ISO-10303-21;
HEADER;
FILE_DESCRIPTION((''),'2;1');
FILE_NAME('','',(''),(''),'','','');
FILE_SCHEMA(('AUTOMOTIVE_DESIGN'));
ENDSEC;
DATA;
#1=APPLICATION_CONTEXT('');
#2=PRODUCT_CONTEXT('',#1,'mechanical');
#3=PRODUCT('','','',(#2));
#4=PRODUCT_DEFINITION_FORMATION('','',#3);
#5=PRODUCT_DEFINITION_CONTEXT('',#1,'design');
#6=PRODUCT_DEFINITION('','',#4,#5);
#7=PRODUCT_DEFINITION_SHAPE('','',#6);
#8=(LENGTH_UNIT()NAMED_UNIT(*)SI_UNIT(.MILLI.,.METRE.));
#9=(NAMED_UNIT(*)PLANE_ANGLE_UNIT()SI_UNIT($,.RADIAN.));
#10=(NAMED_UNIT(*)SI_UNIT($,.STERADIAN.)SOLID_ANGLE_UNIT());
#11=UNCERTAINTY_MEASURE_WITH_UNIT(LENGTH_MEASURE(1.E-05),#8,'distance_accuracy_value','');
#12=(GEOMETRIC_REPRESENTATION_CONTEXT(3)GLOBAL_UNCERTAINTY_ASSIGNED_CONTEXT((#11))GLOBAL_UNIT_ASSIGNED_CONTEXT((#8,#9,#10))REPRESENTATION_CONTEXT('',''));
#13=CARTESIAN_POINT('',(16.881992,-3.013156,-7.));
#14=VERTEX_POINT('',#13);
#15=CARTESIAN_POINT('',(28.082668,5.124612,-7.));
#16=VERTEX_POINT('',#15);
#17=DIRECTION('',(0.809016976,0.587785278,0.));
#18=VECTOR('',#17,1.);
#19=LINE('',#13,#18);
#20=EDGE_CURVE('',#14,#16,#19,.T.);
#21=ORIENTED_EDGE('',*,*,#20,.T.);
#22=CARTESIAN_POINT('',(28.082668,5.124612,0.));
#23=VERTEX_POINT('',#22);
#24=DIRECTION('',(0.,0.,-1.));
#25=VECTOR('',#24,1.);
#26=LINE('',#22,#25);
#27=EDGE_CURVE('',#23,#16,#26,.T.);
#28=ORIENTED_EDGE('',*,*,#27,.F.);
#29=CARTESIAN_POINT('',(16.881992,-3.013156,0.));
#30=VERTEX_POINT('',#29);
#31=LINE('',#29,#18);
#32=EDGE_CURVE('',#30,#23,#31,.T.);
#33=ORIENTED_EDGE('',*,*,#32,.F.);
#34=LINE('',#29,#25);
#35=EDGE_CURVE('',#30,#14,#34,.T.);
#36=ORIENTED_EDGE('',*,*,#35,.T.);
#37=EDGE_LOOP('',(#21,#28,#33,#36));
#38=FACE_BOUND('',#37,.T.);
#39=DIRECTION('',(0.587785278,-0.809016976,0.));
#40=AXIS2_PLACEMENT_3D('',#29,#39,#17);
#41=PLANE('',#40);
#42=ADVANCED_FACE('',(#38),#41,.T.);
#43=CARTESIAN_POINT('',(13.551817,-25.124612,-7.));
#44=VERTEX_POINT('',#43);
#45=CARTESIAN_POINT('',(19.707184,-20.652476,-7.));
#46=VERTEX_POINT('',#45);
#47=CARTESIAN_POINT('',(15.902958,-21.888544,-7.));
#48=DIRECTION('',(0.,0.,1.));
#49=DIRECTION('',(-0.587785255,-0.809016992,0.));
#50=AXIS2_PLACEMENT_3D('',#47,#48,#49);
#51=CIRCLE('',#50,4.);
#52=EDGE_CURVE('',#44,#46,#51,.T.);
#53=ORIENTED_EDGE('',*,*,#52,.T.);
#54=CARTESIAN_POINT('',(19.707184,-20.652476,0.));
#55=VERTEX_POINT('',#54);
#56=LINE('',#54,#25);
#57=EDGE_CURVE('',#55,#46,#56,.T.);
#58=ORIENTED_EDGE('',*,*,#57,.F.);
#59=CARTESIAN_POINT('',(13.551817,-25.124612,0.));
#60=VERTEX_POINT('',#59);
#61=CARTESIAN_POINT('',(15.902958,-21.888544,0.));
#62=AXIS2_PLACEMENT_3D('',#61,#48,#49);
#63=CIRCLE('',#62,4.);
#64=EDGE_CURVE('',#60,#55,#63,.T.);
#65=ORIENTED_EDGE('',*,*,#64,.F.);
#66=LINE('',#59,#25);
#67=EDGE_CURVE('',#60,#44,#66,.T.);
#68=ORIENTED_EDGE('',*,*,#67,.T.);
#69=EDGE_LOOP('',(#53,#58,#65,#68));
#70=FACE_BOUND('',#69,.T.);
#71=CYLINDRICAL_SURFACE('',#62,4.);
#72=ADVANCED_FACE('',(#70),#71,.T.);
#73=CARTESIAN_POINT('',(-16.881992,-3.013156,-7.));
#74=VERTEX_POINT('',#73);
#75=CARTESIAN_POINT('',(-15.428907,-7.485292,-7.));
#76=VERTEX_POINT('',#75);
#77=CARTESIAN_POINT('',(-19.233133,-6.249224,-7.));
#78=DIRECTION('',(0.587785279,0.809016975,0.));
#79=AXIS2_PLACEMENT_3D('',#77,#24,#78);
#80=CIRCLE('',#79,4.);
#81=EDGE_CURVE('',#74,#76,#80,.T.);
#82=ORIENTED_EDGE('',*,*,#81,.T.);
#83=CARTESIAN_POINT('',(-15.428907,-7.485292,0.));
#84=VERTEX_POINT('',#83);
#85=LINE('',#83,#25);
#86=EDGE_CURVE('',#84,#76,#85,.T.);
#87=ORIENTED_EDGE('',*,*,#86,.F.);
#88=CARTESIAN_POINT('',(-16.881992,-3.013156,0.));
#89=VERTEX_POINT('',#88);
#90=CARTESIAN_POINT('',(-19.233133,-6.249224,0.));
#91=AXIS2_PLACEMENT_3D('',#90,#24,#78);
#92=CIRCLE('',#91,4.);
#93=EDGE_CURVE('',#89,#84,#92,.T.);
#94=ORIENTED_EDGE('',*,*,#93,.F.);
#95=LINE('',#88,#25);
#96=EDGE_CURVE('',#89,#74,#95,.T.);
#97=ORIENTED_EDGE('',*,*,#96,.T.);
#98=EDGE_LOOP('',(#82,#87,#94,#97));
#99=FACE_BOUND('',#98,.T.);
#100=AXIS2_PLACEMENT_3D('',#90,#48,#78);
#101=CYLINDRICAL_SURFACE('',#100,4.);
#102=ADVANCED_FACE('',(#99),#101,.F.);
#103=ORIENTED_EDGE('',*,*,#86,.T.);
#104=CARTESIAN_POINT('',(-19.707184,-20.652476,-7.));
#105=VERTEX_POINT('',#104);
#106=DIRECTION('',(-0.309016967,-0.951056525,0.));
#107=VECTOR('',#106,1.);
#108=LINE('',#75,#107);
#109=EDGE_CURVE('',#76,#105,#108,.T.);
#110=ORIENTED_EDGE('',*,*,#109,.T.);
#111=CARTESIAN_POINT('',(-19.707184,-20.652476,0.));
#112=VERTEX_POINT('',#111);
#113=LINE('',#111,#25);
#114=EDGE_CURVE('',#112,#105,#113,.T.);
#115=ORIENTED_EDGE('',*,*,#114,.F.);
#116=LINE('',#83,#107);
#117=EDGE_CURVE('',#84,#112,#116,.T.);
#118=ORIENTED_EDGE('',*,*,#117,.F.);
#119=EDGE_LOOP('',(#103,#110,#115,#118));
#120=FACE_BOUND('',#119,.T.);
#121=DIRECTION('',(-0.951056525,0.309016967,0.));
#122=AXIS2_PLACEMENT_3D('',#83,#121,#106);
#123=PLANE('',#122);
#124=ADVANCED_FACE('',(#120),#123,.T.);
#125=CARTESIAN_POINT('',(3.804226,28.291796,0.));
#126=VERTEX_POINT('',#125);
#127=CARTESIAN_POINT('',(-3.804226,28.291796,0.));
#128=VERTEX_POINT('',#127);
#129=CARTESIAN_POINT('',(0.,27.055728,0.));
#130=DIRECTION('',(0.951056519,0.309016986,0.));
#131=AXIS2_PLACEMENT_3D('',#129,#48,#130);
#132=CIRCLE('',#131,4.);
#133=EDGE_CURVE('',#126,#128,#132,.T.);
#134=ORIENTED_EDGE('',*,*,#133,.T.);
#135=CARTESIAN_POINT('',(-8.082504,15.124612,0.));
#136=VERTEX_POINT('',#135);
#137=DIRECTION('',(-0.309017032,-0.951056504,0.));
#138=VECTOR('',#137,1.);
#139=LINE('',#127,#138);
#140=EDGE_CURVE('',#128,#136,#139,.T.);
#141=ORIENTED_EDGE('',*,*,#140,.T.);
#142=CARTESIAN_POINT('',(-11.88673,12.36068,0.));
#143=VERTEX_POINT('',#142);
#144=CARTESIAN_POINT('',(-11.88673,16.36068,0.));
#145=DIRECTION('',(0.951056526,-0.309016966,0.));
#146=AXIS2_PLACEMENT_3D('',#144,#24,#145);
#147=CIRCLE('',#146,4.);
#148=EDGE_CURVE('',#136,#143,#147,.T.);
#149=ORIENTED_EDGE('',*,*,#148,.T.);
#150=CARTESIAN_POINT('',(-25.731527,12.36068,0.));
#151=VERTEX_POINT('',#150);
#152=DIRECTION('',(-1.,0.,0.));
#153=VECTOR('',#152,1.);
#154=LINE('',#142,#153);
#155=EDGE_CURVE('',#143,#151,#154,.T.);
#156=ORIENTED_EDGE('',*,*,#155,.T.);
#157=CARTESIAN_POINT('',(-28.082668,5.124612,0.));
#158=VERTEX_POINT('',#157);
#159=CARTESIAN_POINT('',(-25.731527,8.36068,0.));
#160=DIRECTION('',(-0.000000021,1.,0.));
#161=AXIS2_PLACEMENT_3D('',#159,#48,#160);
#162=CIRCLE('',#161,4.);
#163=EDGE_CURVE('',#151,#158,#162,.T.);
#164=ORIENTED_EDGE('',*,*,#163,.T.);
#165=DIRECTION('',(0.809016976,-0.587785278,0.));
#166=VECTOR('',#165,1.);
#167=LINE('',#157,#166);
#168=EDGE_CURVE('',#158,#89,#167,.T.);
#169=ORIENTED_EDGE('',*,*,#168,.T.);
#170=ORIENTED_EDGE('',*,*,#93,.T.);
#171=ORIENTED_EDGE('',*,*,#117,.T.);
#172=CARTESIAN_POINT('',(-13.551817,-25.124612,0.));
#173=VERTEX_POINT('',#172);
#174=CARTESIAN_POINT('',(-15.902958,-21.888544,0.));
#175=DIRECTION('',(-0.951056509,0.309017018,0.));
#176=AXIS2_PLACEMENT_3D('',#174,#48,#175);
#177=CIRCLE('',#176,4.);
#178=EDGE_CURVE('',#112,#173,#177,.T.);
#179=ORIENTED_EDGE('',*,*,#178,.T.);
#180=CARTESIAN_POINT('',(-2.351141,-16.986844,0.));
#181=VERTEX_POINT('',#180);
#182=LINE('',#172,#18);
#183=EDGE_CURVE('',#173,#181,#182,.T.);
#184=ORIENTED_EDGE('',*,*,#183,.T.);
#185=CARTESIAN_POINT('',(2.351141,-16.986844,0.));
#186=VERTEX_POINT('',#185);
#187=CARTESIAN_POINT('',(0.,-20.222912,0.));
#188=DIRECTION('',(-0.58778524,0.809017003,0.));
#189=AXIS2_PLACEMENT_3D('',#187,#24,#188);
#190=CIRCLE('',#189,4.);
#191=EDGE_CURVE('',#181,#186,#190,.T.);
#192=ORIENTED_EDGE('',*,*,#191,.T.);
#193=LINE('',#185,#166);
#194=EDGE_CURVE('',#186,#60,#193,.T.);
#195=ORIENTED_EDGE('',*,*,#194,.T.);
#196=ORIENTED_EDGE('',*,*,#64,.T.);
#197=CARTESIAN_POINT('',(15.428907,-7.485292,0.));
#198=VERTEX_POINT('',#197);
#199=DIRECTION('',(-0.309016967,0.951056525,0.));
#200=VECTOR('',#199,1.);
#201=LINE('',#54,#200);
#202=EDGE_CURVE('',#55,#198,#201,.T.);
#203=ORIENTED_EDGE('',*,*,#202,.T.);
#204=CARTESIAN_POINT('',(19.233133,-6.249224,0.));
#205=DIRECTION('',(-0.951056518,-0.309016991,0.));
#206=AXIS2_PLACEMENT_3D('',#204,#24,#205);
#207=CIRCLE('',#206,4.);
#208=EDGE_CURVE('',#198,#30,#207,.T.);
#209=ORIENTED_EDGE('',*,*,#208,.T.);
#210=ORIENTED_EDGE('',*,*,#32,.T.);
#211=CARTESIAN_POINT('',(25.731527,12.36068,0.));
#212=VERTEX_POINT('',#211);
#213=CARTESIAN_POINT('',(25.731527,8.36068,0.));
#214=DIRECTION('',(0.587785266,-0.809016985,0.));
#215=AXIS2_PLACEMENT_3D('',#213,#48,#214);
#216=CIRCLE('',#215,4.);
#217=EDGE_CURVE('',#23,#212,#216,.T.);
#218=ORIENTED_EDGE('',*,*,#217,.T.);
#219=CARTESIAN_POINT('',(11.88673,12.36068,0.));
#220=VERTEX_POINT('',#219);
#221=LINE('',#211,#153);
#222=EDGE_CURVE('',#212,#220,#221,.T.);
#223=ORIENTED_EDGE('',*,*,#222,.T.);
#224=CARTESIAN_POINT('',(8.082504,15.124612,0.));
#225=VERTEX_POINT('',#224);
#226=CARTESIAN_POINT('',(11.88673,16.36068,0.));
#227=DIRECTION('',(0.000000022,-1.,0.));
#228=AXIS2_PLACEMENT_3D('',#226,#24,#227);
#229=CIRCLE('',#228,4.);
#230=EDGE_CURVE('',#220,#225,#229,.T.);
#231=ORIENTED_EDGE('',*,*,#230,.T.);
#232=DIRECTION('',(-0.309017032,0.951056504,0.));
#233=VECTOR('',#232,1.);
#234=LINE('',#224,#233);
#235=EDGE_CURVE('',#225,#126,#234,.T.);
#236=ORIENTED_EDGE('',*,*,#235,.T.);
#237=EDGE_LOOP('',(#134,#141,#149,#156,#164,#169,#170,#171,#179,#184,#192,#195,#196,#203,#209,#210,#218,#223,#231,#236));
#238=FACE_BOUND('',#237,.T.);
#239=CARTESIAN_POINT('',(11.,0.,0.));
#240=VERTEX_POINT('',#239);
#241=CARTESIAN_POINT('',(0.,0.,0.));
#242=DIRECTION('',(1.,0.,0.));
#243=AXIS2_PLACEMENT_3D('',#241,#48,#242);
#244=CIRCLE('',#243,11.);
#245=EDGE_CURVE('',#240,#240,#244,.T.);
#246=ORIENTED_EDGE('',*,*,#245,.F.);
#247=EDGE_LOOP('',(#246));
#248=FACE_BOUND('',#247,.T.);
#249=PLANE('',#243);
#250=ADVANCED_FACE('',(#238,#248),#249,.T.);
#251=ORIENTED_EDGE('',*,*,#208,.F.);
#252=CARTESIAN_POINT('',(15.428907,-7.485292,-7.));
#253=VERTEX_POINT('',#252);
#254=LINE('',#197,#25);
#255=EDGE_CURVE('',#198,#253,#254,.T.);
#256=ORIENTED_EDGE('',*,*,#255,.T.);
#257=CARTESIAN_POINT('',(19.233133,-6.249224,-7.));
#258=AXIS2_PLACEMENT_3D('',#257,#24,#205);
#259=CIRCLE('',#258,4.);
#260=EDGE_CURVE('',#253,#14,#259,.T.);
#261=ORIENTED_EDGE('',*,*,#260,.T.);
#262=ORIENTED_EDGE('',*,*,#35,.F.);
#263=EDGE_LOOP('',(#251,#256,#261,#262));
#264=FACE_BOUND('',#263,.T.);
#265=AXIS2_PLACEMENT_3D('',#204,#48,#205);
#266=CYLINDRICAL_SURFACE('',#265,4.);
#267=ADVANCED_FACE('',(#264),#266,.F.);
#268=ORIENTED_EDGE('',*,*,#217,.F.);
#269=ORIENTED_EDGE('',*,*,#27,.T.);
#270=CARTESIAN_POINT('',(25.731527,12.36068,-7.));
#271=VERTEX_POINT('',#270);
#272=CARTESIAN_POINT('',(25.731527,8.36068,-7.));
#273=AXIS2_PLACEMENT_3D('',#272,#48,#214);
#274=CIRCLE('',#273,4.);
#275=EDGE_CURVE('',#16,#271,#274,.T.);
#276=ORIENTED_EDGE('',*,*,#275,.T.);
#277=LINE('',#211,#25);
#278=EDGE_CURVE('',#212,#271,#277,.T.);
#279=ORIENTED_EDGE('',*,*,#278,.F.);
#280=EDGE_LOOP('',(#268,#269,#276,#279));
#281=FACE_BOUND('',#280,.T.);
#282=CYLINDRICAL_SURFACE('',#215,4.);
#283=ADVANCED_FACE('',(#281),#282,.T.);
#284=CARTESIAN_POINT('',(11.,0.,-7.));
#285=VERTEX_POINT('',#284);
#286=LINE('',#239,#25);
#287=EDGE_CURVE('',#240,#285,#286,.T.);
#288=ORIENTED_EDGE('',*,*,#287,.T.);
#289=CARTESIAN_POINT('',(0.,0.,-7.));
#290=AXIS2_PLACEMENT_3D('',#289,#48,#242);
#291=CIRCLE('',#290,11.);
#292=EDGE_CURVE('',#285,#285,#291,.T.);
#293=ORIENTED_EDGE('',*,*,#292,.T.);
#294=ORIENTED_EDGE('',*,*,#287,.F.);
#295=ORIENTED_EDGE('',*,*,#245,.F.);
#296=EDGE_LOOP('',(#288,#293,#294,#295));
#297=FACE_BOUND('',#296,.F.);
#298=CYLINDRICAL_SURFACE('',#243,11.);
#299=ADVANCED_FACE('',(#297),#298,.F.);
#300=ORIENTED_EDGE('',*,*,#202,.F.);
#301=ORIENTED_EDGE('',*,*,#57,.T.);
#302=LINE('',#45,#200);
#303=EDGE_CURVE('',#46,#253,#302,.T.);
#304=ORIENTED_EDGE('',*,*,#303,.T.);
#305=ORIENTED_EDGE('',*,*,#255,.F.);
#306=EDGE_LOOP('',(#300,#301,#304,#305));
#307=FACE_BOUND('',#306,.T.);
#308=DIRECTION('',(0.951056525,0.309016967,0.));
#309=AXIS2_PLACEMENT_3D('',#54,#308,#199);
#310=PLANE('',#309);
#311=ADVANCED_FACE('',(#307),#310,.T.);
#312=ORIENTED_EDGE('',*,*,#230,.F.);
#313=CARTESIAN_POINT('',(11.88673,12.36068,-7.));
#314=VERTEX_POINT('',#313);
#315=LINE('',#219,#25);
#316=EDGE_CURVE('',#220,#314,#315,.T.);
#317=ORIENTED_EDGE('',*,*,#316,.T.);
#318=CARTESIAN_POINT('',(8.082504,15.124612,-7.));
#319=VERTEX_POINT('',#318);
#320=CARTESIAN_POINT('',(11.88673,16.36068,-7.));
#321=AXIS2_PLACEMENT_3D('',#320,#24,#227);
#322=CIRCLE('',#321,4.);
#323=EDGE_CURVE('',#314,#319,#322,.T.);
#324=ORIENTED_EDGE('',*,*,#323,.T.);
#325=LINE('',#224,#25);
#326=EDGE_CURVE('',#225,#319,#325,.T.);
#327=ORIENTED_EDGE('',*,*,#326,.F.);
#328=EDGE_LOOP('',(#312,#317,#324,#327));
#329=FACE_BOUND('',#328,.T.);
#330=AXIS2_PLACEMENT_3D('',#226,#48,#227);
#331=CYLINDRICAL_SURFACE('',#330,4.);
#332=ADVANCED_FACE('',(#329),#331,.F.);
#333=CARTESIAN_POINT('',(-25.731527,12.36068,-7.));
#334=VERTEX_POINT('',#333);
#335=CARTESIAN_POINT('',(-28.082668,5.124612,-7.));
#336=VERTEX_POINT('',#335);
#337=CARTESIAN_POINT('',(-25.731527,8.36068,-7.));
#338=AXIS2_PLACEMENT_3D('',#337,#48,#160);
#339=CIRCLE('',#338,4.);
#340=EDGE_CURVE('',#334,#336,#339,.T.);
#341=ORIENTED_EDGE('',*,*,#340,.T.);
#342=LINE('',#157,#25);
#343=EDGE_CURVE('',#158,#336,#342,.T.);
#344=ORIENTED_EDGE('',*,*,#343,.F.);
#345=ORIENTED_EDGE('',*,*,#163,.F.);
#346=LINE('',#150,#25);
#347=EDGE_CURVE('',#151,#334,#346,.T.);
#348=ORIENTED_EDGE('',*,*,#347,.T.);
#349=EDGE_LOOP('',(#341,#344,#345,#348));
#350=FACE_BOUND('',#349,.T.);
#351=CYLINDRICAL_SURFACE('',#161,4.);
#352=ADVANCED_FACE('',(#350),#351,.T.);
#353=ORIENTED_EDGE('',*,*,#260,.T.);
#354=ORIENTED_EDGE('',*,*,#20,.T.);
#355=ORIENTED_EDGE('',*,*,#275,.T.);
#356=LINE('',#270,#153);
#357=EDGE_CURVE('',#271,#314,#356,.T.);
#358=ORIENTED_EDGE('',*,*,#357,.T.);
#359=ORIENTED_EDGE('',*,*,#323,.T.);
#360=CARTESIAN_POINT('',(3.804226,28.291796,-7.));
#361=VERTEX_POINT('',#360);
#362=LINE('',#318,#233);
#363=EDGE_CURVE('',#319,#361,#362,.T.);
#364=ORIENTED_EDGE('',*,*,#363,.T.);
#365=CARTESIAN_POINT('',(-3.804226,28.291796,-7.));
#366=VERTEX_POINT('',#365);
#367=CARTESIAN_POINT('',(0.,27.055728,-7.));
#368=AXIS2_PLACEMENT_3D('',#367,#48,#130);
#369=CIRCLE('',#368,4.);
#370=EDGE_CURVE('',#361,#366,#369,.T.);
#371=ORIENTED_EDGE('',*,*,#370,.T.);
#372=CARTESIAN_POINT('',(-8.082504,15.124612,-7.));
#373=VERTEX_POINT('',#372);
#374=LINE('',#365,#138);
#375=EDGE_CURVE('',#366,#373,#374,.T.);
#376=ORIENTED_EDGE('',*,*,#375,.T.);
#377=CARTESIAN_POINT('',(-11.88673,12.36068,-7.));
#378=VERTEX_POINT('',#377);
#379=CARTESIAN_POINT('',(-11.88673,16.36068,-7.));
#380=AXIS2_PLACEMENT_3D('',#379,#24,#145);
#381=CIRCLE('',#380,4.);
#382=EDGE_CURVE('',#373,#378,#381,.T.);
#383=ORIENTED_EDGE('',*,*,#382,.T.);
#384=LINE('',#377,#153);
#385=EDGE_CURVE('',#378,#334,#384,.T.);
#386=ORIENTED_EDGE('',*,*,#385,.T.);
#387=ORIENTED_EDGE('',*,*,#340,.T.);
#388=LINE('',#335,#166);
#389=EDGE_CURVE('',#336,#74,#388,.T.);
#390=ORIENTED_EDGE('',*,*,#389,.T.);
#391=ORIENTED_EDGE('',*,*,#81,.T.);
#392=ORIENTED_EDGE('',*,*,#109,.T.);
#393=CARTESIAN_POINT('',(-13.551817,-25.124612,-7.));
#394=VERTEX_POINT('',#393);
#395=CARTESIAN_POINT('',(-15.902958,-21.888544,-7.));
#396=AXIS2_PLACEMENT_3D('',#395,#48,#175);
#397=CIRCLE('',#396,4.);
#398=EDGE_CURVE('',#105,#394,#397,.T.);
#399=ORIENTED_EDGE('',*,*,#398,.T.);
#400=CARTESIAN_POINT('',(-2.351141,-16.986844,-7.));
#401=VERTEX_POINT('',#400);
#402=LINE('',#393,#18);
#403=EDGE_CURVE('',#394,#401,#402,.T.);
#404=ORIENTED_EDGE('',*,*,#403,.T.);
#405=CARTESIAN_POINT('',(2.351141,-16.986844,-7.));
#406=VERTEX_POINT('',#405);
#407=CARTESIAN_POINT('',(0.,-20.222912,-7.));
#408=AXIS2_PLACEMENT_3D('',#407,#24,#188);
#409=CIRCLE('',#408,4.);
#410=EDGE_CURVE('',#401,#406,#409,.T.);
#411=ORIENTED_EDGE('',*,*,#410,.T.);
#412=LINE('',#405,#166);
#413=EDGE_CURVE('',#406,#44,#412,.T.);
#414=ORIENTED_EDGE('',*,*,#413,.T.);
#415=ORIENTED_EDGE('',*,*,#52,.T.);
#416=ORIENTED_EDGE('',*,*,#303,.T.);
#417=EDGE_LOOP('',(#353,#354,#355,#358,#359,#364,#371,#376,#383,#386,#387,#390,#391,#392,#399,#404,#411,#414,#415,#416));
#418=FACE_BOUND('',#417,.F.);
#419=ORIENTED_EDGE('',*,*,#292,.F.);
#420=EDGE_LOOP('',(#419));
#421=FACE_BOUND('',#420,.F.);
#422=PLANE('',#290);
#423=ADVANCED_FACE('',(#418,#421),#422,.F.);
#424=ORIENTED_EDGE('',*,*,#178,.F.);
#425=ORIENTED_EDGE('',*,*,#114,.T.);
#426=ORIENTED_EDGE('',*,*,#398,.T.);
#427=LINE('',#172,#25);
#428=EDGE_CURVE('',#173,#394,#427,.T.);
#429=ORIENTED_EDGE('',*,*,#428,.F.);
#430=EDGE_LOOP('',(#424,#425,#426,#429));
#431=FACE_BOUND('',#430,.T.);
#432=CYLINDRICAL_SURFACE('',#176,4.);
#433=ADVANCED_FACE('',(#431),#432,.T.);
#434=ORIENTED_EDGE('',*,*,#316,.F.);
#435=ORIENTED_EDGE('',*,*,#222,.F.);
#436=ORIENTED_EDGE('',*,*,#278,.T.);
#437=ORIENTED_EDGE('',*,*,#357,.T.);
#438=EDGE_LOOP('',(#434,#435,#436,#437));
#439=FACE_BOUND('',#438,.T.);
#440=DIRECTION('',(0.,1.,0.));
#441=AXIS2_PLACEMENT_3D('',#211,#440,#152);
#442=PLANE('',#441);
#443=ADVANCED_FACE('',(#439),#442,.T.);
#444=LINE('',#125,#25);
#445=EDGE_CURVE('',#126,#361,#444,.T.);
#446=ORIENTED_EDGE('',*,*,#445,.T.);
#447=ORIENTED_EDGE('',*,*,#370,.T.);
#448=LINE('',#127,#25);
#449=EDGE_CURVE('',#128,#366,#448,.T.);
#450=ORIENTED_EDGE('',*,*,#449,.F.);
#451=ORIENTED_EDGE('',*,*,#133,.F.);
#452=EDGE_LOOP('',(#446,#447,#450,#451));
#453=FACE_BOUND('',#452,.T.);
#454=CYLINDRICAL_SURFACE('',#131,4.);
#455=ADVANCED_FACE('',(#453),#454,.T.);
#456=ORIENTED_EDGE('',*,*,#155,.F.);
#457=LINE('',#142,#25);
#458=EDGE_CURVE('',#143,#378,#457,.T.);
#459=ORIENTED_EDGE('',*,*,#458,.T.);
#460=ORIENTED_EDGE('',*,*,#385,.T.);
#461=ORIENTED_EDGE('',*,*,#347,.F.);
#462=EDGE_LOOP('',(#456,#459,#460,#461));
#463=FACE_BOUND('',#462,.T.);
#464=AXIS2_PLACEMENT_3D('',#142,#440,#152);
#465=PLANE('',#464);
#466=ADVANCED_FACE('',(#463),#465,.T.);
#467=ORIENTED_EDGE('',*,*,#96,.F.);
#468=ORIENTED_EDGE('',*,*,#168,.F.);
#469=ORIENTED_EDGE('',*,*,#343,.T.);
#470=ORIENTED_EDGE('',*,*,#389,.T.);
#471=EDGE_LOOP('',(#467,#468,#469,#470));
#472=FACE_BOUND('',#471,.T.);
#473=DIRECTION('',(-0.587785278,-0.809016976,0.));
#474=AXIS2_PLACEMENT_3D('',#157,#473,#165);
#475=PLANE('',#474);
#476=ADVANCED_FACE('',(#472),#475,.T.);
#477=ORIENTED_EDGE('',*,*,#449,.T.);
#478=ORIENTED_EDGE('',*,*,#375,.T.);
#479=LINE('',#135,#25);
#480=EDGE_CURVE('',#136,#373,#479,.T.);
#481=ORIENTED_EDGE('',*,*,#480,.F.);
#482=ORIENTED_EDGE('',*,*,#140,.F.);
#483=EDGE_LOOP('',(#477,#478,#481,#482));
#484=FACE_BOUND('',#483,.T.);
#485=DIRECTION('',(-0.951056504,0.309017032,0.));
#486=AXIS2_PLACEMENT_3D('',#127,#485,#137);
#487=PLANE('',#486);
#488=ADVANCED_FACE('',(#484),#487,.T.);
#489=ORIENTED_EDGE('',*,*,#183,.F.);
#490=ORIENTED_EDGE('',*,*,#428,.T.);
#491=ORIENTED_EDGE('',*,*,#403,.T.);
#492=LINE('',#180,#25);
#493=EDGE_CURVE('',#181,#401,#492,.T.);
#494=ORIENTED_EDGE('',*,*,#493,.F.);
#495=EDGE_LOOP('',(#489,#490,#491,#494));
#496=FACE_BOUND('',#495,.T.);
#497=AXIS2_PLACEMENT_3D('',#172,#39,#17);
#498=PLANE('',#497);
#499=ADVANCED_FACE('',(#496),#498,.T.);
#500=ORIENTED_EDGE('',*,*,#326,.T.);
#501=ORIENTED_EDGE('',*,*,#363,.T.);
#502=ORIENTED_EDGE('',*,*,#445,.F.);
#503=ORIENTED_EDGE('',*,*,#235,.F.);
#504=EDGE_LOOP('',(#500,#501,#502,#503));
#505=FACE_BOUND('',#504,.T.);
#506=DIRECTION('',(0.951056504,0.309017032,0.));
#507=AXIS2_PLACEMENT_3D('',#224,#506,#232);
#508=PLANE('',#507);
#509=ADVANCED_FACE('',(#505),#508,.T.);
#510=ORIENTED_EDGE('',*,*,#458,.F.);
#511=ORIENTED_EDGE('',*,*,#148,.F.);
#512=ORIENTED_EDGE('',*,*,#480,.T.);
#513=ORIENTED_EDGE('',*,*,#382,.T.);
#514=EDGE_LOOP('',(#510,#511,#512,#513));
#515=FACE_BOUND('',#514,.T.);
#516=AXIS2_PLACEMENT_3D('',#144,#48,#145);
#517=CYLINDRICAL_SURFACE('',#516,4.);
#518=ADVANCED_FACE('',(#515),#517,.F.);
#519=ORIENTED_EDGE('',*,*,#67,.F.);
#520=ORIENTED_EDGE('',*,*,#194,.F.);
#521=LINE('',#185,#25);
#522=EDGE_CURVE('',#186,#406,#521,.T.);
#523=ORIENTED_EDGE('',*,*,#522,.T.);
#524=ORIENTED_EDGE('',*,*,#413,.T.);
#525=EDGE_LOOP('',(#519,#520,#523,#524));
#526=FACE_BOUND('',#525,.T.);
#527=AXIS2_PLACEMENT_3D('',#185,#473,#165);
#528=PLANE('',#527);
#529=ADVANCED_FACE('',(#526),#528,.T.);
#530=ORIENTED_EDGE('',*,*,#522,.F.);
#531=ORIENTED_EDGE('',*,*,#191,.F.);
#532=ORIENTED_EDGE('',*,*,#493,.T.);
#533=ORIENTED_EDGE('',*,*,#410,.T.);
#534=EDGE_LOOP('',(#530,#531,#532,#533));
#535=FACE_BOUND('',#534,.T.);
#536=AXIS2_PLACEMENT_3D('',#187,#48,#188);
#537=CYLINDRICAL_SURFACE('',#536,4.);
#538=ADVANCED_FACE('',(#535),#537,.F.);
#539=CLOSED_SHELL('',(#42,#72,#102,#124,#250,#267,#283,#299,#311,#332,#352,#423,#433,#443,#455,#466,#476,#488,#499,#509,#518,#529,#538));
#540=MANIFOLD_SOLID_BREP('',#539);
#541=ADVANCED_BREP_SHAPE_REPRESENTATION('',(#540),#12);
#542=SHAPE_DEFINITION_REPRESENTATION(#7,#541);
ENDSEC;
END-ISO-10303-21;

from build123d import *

# Parameters (mm, degrees)
F0_R     = 11
F1_DEPTH = 7


with BuildPart() as f1:
    # F0 (on Top) → F1 (new body)
    with BuildSketch(Plane.XY):
        with BuildLine():
            ThreePointArc((3.804226, 28.291796), (0, 31.055728), (-3.804226, 28.291796))
            Line((-3.804226, 28.291796), (-8.082504, 15.124612))
            ThreePointArc((-8.082504, 15.124612), (-9.535589, 13.124612), (-11.88673, 12.36068))
            Line((-11.88673, 12.36068), (-25.731527, 12.36068))
            ThreePointArc((-25.731527, 12.36068), (-29.535753, 9.596748), (-28.082668, 5.124612))
            Line((-28.082668, 5.124612), (-16.881992, -3.013156))
            ThreePointArc((-16.881992, -3.013156), (-15.428907, -5.013156), (-15.428907, -7.485292))
            Line((-15.428907, -7.485292), (-19.707184, -20.652476))
            ThreePointArc((-19.707184, -20.652476), (-18.254099, -25.124612), (-13.551817, -25.124612))
            Line((-13.551817, -25.124612), (-2.351141, -16.986844))
            ThreePointArc((-2.351141, -16.986844), (0, -16.222912), (2.351141, -16.986844))
            Line((2.351141, -16.986844), (13.551817, -25.124612))
            ThreePointArc((13.551817, -25.124612), (18.254099, -25.124612), (19.707184, -20.652476))
            Line((19.707184, -20.652476), (15.428907, -7.485292))
            ThreePointArc((15.428907, -7.485292), (15.428907, -5.013156), (16.881992, -3.013156))
            Line((16.881992, -3.013156), (28.082668, 5.124612))
            ThreePointArc((28.082668, 5.124612), (29.535753, 9.596748), (25.731527, 12.36068))
            Line((25.731527, 12.36068), (11.88673, 12.36068))
            ThreePointArc((11.88673, 12.36068), (9.535589, 13.124612), (8.082504, 15.124612))
            Line((8.082504, 15.124612), (3.804226, 28.291796))
        make_face()
        Circle(F0_R, mode=Mode.SUBTRACT)
    extrude(amount=-F1_DEPTH)


solid = f1.part
